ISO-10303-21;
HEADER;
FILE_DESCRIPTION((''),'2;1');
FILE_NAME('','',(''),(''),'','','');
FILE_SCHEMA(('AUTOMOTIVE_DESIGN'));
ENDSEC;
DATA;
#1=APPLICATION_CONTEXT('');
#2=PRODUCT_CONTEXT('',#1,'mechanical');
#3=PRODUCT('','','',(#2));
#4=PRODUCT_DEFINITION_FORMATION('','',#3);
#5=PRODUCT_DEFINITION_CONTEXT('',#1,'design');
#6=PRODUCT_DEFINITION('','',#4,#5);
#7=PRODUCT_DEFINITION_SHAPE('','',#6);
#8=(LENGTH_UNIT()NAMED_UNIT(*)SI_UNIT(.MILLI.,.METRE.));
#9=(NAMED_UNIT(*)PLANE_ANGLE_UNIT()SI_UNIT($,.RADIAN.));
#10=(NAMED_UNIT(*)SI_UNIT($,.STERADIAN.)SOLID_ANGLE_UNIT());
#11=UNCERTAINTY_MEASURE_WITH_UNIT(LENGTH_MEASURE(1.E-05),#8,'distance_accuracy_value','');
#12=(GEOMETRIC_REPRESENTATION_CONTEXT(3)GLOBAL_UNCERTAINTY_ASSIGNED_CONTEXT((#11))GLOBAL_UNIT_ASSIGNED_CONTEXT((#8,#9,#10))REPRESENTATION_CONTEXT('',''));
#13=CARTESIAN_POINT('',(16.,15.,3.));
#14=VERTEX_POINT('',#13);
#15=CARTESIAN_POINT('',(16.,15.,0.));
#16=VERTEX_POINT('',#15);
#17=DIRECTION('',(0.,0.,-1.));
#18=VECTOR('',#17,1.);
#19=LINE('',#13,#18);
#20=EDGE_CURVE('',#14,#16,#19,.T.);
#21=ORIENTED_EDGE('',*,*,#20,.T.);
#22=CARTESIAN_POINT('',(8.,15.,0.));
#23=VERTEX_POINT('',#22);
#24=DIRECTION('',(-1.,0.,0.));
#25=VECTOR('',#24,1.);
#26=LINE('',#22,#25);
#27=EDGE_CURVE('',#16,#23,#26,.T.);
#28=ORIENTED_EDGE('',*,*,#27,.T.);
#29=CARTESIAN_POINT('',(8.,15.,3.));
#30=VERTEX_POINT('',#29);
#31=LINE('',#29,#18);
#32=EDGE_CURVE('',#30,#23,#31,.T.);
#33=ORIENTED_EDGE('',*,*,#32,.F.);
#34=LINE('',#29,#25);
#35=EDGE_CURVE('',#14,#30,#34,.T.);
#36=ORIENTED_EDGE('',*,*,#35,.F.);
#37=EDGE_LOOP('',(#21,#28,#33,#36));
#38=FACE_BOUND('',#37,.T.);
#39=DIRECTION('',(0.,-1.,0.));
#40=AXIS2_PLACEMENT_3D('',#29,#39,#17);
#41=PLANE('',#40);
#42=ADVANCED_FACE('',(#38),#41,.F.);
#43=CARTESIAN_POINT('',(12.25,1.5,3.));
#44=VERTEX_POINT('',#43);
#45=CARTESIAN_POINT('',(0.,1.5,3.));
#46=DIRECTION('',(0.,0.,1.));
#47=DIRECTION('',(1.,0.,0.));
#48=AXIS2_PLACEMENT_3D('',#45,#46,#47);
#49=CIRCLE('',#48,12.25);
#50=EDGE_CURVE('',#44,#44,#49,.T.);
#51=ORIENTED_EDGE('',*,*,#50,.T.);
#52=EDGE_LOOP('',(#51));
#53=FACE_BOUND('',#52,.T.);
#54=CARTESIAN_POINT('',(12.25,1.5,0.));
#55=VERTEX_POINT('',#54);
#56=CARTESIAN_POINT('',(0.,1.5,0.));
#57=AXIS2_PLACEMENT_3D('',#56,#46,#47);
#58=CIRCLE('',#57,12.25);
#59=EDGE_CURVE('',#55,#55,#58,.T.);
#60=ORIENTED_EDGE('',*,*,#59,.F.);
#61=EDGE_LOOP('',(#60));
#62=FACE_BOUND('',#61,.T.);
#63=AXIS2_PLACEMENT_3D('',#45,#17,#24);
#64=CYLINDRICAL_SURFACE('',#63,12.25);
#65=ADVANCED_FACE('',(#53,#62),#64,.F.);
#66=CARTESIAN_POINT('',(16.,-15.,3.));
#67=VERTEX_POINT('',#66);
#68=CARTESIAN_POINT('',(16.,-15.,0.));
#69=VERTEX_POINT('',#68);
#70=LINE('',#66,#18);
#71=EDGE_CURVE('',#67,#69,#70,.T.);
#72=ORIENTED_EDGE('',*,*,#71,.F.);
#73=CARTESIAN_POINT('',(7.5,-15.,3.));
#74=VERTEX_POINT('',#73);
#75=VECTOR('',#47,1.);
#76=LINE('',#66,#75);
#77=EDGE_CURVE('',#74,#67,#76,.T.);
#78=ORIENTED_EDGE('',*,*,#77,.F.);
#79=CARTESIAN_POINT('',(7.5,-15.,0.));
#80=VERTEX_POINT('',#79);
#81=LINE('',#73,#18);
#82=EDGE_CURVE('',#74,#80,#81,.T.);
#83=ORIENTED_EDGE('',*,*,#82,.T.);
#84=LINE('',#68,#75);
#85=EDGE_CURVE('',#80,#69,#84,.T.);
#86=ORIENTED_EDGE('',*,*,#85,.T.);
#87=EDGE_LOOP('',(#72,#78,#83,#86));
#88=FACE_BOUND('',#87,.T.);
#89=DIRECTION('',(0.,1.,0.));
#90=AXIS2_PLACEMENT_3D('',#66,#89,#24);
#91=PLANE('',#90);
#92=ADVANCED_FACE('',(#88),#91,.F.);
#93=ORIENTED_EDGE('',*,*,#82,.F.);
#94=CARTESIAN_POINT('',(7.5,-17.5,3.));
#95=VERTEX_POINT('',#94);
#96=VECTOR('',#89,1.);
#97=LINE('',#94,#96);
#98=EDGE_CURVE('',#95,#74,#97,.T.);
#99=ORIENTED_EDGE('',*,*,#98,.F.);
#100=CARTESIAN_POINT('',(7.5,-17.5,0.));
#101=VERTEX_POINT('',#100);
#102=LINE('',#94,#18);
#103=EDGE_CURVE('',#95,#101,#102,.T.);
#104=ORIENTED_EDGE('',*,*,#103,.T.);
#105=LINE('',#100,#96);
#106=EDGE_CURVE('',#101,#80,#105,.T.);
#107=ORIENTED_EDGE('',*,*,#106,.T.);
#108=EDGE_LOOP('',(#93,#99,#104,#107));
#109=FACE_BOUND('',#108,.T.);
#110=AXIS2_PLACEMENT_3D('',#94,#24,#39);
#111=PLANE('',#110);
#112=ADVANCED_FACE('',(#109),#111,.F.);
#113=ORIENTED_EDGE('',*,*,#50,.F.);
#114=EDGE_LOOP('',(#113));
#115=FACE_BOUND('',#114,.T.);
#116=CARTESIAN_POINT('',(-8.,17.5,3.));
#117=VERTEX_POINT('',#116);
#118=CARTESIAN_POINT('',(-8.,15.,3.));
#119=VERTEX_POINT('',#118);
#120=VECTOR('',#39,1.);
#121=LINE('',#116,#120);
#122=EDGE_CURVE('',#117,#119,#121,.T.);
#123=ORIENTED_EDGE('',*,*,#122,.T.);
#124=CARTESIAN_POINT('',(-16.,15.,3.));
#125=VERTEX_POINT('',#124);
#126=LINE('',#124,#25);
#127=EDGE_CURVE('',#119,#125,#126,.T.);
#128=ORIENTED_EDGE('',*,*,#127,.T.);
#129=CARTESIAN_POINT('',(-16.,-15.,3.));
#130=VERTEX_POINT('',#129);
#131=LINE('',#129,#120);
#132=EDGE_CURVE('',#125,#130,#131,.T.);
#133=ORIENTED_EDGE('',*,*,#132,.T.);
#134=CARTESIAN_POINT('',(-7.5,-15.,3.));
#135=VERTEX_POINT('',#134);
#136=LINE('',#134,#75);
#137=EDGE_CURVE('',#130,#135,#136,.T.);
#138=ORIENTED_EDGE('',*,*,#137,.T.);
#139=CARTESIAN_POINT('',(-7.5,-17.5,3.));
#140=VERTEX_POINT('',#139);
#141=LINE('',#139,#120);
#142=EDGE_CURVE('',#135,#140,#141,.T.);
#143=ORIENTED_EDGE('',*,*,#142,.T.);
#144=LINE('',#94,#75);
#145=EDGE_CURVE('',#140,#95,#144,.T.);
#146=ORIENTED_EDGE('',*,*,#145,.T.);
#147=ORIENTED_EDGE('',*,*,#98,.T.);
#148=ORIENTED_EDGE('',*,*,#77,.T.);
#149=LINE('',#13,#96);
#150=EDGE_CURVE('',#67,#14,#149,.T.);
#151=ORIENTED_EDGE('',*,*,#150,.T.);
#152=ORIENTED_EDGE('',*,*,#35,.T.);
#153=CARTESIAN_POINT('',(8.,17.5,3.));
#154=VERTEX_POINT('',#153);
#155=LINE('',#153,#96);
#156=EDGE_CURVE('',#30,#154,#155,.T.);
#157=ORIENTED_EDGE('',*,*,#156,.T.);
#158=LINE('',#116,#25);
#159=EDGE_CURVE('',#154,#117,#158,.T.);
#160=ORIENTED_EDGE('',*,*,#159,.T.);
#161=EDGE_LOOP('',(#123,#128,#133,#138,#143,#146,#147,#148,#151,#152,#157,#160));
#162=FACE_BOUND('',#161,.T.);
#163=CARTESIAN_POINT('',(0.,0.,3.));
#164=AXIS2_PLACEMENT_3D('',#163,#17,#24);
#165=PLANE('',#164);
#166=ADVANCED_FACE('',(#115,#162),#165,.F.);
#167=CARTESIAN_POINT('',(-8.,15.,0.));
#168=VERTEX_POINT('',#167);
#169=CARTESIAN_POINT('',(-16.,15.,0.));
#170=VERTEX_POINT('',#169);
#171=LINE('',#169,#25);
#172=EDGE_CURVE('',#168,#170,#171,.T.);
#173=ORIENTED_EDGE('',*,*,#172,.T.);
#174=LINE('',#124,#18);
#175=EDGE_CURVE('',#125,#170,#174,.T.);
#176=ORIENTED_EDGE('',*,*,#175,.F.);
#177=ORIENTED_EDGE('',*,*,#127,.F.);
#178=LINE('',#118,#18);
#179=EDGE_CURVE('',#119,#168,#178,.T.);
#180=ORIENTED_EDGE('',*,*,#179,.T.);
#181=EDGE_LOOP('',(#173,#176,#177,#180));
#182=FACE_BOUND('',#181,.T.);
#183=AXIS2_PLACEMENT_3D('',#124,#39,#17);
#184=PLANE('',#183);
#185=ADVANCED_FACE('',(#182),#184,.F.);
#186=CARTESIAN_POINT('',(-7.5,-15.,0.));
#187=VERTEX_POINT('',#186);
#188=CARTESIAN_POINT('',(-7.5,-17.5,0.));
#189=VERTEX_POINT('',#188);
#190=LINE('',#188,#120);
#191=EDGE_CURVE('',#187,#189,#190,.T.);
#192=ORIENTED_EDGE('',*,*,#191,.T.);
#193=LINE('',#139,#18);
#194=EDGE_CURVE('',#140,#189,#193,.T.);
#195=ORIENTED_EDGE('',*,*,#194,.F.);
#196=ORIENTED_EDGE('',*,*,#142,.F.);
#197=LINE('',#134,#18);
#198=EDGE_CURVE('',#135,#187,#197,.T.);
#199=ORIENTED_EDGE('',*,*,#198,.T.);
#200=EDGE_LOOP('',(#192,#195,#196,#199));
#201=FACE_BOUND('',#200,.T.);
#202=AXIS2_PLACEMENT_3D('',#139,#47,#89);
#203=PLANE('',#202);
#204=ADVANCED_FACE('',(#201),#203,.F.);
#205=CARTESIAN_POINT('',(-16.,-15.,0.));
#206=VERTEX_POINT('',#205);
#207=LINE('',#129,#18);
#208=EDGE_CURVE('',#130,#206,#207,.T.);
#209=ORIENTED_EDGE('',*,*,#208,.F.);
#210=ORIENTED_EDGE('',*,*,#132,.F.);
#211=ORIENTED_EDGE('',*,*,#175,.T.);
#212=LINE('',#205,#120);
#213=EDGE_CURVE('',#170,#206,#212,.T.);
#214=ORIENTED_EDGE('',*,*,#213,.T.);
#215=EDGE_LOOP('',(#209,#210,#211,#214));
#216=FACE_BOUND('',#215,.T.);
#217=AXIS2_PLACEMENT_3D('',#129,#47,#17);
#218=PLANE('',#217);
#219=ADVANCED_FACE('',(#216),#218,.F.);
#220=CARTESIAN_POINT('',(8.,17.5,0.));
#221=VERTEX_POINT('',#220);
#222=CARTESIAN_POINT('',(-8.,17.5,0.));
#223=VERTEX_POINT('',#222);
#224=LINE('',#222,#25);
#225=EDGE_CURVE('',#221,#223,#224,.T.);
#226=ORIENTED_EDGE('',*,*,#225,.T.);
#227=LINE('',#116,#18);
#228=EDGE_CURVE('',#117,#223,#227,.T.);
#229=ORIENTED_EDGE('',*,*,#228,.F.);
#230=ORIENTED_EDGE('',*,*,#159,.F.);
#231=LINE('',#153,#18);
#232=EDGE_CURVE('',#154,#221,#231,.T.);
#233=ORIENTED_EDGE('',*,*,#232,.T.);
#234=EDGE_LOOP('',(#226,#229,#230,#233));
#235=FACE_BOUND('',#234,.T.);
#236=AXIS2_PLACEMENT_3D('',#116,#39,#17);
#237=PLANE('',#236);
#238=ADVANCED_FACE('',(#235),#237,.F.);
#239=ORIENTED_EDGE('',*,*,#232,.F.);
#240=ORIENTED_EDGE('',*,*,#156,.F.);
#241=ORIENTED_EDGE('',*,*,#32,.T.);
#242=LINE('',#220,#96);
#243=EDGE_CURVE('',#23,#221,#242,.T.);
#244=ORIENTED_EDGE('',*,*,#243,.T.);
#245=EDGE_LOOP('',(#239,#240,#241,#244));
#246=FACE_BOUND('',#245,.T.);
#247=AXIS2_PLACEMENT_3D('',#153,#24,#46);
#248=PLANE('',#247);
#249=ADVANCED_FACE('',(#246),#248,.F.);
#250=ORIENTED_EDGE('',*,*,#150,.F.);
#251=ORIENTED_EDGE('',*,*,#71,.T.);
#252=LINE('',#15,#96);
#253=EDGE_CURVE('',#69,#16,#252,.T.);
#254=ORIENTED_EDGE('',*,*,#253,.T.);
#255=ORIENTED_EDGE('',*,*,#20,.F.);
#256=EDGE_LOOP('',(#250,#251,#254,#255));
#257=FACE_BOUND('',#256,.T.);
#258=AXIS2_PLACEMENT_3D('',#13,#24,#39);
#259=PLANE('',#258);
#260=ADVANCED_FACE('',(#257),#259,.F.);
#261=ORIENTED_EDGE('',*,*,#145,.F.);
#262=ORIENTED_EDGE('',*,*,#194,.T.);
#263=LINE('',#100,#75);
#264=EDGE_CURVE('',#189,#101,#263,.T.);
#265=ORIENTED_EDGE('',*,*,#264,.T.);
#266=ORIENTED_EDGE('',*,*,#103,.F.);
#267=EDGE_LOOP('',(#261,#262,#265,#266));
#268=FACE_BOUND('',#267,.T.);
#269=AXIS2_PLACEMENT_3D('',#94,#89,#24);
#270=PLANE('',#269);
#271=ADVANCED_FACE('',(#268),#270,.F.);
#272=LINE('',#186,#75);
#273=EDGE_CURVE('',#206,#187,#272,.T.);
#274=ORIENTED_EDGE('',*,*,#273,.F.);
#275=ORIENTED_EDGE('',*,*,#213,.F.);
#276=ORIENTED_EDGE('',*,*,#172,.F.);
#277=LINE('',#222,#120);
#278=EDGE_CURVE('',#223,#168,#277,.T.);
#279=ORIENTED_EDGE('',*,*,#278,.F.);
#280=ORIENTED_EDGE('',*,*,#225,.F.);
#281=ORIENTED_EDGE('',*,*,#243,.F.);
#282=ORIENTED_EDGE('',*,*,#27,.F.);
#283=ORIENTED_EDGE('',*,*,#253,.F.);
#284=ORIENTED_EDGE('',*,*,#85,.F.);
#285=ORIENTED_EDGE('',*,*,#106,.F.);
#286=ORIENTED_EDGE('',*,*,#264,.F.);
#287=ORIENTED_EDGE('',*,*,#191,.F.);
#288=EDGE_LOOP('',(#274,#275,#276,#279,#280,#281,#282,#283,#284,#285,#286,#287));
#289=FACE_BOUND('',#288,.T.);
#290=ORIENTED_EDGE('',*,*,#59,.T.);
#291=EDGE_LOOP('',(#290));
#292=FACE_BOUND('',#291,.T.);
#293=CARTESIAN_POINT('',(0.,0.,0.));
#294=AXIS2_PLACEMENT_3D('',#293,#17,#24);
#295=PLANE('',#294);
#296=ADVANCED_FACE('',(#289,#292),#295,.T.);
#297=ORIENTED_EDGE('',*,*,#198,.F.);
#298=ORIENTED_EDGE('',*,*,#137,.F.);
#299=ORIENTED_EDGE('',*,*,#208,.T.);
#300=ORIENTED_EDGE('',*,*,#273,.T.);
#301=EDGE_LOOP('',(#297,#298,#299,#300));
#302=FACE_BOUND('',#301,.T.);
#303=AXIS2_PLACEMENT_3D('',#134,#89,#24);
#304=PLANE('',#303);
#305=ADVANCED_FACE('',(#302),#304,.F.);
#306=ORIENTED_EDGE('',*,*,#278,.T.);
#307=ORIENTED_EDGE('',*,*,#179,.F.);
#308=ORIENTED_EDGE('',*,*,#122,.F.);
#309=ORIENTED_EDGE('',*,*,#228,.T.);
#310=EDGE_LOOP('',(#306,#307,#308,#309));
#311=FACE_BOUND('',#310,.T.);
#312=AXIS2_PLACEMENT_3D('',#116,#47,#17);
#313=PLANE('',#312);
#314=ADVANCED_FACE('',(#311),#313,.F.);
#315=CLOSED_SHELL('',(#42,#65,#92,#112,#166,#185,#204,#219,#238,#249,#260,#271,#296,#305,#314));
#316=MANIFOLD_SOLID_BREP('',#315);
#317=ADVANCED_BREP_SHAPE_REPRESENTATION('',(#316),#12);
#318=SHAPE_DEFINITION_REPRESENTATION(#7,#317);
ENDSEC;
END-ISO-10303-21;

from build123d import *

# Parameters (mm, degrees)
ESQUISSE1_R        = 12.25
BOSS_EXTRU_1_DEPTH = 3


with BuildPart() as part:
    # Esquisse1 → Boss.-Extru.1 (new body)
    with BuildSketch(Plane.XY):
        Polygon((-16, 15), (-8, 15), (-8, 17.5), (8, 17.5), (8, 15), (16, 15), (16, -15), (7.5, -15), (7.5, -17.5), (-7.5, -17.5), (-7.5, -15), (-16, -15), align=None)
        with Locations((0, 1.5)):
            Circle(ESQUISSE1_R, mode=Mode.SUBTRACT)
    extrude(amount=BOSS_EXTRU_1_DEPTH)


solid = part.part
